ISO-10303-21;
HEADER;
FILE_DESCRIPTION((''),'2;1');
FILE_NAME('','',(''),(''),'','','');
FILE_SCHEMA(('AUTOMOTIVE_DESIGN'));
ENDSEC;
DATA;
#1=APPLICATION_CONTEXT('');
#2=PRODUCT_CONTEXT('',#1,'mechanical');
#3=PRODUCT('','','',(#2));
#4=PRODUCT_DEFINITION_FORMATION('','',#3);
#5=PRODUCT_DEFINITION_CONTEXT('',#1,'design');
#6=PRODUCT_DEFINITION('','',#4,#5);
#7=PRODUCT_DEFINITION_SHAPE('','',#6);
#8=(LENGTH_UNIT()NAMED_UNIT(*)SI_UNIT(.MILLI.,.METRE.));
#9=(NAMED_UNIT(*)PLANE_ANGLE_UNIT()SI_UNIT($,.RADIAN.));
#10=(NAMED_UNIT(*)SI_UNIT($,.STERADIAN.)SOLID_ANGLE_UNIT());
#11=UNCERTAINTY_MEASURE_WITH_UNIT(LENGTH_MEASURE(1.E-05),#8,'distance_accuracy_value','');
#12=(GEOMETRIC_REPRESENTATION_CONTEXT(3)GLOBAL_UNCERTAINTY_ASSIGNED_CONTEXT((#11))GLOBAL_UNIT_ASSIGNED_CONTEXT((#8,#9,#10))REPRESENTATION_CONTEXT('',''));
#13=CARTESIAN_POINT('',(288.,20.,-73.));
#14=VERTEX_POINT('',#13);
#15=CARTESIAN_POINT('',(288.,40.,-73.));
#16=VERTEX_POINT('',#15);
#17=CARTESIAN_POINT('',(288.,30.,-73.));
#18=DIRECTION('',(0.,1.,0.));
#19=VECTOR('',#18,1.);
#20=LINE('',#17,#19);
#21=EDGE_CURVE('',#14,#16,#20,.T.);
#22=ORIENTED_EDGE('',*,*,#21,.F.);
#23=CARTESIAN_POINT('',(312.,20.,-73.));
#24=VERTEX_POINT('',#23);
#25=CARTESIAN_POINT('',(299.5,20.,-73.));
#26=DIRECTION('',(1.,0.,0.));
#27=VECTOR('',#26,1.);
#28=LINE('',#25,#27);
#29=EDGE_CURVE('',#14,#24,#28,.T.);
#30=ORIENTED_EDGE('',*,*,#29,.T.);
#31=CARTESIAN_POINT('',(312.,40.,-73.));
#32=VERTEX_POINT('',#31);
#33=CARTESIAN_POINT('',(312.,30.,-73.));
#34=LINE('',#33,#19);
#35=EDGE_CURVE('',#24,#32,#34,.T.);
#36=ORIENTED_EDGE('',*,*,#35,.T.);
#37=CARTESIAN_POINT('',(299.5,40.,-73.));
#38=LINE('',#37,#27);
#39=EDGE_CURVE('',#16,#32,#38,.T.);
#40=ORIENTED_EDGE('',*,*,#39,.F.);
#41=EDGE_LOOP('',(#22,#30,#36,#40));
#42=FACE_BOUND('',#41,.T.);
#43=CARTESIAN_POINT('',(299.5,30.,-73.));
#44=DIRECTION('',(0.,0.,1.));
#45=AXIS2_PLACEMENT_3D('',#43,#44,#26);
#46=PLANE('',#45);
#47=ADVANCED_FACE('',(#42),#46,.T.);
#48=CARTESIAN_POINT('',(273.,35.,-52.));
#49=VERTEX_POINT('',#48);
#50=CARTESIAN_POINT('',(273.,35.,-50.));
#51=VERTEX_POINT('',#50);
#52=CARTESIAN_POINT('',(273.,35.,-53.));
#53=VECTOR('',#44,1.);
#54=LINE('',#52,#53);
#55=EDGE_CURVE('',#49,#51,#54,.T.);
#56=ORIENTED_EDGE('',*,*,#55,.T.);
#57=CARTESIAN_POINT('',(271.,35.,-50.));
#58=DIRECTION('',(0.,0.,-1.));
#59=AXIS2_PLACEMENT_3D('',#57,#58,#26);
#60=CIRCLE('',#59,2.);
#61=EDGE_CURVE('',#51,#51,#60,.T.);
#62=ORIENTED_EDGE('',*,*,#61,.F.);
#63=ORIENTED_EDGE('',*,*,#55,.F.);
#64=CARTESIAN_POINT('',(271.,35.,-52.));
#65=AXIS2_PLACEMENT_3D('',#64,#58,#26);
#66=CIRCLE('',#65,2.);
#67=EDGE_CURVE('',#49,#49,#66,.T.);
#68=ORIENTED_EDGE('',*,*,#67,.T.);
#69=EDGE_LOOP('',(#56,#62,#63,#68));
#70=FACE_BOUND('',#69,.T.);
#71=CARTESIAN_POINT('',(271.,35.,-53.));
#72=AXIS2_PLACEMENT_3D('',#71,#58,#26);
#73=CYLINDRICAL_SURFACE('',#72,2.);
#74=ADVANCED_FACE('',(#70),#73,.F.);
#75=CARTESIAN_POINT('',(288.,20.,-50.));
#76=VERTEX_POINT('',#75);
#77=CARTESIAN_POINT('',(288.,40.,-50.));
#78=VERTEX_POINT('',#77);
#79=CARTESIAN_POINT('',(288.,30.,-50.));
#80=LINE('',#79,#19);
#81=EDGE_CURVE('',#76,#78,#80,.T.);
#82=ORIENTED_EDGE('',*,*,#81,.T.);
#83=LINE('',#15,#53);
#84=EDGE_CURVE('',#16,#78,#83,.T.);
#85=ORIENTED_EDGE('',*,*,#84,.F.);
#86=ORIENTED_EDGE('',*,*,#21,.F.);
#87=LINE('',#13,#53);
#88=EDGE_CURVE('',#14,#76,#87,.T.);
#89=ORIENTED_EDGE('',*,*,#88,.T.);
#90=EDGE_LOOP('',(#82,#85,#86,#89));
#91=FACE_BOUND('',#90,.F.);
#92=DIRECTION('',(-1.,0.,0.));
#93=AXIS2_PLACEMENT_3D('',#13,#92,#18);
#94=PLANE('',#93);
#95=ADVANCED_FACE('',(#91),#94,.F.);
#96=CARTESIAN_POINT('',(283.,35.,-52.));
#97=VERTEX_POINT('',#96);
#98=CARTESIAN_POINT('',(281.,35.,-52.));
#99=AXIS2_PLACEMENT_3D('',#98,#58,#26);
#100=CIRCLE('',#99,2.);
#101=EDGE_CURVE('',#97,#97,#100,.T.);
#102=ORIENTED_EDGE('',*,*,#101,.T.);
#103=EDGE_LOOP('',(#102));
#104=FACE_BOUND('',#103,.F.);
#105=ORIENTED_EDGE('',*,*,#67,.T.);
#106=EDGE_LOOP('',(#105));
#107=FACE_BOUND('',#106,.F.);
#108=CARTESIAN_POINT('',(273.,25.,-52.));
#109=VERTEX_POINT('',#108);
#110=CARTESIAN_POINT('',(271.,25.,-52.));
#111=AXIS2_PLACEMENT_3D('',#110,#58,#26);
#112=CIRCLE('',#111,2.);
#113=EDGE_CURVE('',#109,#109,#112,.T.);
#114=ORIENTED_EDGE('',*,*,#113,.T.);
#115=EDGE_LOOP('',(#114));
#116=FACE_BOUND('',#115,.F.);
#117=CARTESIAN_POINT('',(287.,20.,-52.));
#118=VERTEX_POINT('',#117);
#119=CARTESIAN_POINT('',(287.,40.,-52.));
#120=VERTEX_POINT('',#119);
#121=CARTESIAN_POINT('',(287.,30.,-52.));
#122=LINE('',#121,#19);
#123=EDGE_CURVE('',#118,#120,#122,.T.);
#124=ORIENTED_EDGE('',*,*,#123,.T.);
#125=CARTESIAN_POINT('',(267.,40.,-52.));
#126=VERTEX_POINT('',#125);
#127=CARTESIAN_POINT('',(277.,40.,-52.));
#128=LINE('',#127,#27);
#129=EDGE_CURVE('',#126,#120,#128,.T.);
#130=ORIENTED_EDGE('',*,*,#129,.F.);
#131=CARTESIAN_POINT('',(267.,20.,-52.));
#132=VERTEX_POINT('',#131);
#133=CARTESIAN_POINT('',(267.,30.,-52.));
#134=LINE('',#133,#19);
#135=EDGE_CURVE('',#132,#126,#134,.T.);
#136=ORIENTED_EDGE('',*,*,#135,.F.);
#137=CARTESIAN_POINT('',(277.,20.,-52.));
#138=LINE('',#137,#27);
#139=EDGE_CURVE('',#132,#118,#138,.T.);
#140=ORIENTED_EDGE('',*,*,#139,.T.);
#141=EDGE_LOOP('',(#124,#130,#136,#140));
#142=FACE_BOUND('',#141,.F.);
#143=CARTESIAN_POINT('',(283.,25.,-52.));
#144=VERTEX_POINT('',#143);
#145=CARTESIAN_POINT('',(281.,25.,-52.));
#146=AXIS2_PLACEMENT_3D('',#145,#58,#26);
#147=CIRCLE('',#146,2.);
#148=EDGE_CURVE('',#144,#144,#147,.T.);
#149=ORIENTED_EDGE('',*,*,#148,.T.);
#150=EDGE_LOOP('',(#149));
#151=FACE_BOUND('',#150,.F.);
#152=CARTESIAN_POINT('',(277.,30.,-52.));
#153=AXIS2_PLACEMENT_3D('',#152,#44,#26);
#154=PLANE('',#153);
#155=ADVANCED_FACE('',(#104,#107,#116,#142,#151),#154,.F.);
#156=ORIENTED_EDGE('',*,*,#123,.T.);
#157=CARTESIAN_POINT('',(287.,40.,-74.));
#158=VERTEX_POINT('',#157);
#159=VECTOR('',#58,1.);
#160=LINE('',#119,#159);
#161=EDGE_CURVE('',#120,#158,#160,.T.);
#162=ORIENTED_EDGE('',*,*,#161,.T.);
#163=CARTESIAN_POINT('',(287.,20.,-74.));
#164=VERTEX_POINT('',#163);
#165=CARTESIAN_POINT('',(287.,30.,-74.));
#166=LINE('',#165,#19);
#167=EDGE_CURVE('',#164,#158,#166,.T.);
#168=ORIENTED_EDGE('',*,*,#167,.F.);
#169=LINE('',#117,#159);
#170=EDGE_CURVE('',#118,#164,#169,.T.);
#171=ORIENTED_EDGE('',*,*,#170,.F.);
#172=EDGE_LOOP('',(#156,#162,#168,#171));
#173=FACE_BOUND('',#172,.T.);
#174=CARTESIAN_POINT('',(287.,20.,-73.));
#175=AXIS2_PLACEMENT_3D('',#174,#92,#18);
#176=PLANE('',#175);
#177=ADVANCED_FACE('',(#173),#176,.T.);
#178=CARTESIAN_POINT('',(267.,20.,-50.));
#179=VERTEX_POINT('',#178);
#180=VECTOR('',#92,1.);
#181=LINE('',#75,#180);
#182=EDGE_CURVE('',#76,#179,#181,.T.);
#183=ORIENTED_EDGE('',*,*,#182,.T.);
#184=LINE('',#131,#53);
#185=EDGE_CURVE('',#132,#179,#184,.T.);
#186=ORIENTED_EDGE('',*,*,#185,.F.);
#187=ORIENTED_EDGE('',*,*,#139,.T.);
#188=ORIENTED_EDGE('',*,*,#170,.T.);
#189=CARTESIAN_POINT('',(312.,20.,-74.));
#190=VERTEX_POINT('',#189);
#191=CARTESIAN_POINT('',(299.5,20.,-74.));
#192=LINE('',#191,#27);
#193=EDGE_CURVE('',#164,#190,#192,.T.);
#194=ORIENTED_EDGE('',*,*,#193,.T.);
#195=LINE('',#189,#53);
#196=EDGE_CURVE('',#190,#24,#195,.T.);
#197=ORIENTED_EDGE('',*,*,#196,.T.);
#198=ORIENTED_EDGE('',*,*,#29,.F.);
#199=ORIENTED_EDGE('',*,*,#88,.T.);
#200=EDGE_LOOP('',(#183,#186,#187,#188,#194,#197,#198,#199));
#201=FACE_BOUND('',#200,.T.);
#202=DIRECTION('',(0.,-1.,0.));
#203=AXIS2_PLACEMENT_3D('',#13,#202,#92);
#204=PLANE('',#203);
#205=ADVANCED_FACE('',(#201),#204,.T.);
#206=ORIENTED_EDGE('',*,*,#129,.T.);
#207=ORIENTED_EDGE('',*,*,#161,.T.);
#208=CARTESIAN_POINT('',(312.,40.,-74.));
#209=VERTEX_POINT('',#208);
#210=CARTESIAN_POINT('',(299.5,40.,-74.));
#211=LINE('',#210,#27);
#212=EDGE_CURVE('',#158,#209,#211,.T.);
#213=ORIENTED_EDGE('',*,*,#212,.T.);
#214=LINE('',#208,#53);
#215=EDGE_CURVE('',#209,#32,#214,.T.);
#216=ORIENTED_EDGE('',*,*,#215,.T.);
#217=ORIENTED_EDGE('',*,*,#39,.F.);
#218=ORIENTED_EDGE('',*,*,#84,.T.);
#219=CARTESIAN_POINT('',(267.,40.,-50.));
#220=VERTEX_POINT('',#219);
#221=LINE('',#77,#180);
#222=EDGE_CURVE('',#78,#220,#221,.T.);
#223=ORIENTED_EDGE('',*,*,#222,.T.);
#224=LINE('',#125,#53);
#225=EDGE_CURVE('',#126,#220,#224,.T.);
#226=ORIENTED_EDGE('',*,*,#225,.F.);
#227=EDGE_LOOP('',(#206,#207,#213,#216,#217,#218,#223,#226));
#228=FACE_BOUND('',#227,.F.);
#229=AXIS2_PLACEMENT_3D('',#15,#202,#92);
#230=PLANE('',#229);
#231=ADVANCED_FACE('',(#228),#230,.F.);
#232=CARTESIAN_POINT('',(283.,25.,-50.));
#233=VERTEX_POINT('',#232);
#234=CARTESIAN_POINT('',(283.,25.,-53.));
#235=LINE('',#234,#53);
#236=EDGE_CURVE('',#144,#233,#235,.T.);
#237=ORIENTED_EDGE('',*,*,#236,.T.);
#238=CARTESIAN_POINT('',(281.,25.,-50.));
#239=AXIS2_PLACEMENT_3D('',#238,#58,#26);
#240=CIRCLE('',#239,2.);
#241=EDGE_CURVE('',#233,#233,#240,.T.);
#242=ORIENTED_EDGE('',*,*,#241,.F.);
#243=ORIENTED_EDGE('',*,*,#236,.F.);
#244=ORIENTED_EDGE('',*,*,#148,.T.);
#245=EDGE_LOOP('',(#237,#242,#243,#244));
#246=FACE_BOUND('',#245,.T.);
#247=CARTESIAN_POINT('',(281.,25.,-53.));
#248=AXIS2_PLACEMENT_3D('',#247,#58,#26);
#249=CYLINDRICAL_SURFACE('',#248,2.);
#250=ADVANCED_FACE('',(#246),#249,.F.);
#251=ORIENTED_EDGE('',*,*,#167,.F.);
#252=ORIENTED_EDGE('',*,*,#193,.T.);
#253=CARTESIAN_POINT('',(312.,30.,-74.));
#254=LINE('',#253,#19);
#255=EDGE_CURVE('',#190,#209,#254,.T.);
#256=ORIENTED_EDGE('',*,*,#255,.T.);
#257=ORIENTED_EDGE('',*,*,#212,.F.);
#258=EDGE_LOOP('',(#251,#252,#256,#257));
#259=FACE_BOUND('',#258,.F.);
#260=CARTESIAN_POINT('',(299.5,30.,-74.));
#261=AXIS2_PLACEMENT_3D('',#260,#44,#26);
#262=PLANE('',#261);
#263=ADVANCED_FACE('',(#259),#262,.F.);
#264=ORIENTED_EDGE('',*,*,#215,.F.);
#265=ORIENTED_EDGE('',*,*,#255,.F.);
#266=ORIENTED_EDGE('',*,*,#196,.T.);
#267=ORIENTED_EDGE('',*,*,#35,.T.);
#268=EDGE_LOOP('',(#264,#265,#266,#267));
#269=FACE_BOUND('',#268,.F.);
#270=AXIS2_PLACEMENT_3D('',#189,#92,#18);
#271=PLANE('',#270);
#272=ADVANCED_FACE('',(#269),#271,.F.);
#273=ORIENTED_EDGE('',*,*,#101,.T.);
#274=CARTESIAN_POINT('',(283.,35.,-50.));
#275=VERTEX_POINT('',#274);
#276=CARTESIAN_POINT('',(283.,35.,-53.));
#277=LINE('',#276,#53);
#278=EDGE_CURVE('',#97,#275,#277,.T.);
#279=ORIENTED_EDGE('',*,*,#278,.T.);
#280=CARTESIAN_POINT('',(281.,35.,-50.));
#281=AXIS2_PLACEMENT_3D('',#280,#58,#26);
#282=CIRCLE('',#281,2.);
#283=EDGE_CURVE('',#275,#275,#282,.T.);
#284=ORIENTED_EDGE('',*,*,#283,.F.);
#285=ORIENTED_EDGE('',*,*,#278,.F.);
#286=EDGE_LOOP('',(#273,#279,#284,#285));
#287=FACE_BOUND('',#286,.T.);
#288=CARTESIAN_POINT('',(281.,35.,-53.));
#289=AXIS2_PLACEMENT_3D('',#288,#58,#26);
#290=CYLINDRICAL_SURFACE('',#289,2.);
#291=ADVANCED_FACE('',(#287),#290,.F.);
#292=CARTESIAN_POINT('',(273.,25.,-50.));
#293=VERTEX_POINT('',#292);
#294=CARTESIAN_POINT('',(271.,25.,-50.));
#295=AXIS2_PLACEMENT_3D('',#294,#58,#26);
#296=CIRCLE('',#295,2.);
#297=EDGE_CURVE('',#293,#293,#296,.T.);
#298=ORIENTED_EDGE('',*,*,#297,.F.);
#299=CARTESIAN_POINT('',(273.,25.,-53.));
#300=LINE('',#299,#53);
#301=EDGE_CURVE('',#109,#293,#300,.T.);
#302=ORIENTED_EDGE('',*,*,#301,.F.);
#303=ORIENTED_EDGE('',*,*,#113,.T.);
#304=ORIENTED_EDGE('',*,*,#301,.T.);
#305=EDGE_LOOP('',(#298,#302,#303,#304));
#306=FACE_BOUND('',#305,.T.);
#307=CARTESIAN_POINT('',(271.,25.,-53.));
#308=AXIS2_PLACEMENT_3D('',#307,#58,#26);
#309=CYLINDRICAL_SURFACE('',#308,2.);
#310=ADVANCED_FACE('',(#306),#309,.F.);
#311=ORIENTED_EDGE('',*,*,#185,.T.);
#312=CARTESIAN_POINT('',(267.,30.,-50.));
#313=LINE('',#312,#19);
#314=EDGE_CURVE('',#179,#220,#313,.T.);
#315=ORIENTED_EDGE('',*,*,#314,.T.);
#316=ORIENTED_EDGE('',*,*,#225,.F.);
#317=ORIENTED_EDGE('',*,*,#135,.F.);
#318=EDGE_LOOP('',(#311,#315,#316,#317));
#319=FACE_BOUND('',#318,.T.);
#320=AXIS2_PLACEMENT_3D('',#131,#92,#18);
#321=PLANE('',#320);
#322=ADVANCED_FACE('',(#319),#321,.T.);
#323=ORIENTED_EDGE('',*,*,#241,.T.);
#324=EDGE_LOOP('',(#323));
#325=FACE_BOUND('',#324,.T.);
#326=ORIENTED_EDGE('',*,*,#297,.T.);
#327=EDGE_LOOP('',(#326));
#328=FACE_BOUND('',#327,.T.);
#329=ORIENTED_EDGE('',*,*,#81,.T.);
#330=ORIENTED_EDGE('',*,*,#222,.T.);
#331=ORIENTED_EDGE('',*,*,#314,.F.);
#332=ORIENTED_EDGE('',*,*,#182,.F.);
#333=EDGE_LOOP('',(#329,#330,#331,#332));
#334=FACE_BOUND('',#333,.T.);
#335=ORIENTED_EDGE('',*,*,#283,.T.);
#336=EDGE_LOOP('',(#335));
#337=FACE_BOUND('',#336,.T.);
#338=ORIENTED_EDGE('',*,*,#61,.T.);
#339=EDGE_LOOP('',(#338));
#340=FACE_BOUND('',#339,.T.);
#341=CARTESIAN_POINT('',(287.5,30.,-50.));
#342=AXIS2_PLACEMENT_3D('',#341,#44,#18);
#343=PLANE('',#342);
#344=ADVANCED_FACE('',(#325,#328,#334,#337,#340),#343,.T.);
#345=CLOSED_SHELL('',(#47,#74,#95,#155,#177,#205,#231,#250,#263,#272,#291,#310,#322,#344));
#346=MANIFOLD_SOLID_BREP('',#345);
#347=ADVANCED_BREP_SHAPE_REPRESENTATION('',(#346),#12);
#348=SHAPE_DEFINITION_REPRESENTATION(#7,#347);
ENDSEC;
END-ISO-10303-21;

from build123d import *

# Parameters (mm, degrees)
CYLINDER003_R     = 2
CYLINDER003_DEPTH = 10
BOX003_W          = 25
BOX003_H          = 20
BOX003_DEPTH      = 1
BOX002_W          = 20
BOX002_H          = 1
BOX002_DEPTH      = 23
BOX004_W          = 20
BOX004_H          = 20
BOX004_DEPTH      = 2


with BuildPart() as cylinder003:
    # Cylinder003 → Cylinder003 (new body)
    with BuildSketch(Plane(origin=(-7, 5, 20), x_dir=(1, 0, 0), z_dir=(0, 0, 1))):
        Circle(CYLINDER003_R)
    extrude(amount=CYLINDER003_DEPTH)


with BuildPart() as cylinder004:
    # Link base: copy of Cylinder003
    add(cylinder003.part)


with BuildPart() as cylinder004_1:
    # Link placement: moved
    add(cylinder004.part.moved(Location((-10, 0, 0))))


with BuildPart() as cylinder005:
    # Link001 base: copy of Cylinder003
    add(cylinder003.part)


with BuildPart() as cylinder005_1:
    # Link001 placement: moved
    add(cylinder005.part.moved(Location((-10, 10, 0))))


with BuildPart() as cylinder006:
    # Link002 base: copy of Cylinder003
    add(cylinder003.part)


with BuildPart() as cylinder006_1:
    # Link002 placement: moved
    add(cylinder006.part.moved(Location((0, 10, 0))))


with BuildPart() as fusion004:
    # Fusion004 base: copy of Cylinder003
    add(cylinder003.part)

    # Fusion004: union Cylinder004, Cylinder005, Cylinder006
    add(cylinder004_1.part)
    add(cylinder005_1.part)
    add(cylinder006_1.part)


with BuildPart() as s_abajo:
    # Box003 → Box003 (new body)
    with BuildSketch(Plane(origin=(287, 20, -74), x_dir=(1, 0, 0), z_dir=(0, 0, 1))):
        with Locations((12.5, 10)):
            Rectangle(BOX003_W, BOX003_H)
    extrude(amount=BOX003_DEPTH)


with BuildPart() as s_lateral:
    # Box002 → Box002 (new body)
    with BuildSketch(Plane(origin=(288, 20, -73), x_dir=(0, 1, 0), z_dir=(0, 0, 1))):
        with Locations((10, 0.5)):
            Rectangle(BOX002_W, BOX002_H)
    extrude(amount=BOX002_DEPTH)


with BuildPart() as soporte:
    # Box004 → Box004 (new body)
    with BuildSketch(Plane(origin=(267, 20, -52), x_dir=(1, 0, 0), z_dir=(0, 0, 1))):
        with Locations((10, 10)):
            Rectangle(BOX004_W, BOX004_H)
    extrude(amount=BOX004_DEPTH)

    # Fusion003: union s_abajo, s_lateral
    add(s_abajo.part)
    add(s_lateral.part)


with BuildPart() as soporte_1:
    # Fusion003 placement: moved
    add(soporte.part.moved(Location((-288, -20, 73))))

    # Cut001: cut Fusion004
    add(fusion004.part, mode=Mode.SUBTRACT)


with BuildPart() as soporte_2:
    # Cut001 placement: moved
    add(soporte_1.part.moved(Location((288, 20, -73))))


solid = soporte_2.part
